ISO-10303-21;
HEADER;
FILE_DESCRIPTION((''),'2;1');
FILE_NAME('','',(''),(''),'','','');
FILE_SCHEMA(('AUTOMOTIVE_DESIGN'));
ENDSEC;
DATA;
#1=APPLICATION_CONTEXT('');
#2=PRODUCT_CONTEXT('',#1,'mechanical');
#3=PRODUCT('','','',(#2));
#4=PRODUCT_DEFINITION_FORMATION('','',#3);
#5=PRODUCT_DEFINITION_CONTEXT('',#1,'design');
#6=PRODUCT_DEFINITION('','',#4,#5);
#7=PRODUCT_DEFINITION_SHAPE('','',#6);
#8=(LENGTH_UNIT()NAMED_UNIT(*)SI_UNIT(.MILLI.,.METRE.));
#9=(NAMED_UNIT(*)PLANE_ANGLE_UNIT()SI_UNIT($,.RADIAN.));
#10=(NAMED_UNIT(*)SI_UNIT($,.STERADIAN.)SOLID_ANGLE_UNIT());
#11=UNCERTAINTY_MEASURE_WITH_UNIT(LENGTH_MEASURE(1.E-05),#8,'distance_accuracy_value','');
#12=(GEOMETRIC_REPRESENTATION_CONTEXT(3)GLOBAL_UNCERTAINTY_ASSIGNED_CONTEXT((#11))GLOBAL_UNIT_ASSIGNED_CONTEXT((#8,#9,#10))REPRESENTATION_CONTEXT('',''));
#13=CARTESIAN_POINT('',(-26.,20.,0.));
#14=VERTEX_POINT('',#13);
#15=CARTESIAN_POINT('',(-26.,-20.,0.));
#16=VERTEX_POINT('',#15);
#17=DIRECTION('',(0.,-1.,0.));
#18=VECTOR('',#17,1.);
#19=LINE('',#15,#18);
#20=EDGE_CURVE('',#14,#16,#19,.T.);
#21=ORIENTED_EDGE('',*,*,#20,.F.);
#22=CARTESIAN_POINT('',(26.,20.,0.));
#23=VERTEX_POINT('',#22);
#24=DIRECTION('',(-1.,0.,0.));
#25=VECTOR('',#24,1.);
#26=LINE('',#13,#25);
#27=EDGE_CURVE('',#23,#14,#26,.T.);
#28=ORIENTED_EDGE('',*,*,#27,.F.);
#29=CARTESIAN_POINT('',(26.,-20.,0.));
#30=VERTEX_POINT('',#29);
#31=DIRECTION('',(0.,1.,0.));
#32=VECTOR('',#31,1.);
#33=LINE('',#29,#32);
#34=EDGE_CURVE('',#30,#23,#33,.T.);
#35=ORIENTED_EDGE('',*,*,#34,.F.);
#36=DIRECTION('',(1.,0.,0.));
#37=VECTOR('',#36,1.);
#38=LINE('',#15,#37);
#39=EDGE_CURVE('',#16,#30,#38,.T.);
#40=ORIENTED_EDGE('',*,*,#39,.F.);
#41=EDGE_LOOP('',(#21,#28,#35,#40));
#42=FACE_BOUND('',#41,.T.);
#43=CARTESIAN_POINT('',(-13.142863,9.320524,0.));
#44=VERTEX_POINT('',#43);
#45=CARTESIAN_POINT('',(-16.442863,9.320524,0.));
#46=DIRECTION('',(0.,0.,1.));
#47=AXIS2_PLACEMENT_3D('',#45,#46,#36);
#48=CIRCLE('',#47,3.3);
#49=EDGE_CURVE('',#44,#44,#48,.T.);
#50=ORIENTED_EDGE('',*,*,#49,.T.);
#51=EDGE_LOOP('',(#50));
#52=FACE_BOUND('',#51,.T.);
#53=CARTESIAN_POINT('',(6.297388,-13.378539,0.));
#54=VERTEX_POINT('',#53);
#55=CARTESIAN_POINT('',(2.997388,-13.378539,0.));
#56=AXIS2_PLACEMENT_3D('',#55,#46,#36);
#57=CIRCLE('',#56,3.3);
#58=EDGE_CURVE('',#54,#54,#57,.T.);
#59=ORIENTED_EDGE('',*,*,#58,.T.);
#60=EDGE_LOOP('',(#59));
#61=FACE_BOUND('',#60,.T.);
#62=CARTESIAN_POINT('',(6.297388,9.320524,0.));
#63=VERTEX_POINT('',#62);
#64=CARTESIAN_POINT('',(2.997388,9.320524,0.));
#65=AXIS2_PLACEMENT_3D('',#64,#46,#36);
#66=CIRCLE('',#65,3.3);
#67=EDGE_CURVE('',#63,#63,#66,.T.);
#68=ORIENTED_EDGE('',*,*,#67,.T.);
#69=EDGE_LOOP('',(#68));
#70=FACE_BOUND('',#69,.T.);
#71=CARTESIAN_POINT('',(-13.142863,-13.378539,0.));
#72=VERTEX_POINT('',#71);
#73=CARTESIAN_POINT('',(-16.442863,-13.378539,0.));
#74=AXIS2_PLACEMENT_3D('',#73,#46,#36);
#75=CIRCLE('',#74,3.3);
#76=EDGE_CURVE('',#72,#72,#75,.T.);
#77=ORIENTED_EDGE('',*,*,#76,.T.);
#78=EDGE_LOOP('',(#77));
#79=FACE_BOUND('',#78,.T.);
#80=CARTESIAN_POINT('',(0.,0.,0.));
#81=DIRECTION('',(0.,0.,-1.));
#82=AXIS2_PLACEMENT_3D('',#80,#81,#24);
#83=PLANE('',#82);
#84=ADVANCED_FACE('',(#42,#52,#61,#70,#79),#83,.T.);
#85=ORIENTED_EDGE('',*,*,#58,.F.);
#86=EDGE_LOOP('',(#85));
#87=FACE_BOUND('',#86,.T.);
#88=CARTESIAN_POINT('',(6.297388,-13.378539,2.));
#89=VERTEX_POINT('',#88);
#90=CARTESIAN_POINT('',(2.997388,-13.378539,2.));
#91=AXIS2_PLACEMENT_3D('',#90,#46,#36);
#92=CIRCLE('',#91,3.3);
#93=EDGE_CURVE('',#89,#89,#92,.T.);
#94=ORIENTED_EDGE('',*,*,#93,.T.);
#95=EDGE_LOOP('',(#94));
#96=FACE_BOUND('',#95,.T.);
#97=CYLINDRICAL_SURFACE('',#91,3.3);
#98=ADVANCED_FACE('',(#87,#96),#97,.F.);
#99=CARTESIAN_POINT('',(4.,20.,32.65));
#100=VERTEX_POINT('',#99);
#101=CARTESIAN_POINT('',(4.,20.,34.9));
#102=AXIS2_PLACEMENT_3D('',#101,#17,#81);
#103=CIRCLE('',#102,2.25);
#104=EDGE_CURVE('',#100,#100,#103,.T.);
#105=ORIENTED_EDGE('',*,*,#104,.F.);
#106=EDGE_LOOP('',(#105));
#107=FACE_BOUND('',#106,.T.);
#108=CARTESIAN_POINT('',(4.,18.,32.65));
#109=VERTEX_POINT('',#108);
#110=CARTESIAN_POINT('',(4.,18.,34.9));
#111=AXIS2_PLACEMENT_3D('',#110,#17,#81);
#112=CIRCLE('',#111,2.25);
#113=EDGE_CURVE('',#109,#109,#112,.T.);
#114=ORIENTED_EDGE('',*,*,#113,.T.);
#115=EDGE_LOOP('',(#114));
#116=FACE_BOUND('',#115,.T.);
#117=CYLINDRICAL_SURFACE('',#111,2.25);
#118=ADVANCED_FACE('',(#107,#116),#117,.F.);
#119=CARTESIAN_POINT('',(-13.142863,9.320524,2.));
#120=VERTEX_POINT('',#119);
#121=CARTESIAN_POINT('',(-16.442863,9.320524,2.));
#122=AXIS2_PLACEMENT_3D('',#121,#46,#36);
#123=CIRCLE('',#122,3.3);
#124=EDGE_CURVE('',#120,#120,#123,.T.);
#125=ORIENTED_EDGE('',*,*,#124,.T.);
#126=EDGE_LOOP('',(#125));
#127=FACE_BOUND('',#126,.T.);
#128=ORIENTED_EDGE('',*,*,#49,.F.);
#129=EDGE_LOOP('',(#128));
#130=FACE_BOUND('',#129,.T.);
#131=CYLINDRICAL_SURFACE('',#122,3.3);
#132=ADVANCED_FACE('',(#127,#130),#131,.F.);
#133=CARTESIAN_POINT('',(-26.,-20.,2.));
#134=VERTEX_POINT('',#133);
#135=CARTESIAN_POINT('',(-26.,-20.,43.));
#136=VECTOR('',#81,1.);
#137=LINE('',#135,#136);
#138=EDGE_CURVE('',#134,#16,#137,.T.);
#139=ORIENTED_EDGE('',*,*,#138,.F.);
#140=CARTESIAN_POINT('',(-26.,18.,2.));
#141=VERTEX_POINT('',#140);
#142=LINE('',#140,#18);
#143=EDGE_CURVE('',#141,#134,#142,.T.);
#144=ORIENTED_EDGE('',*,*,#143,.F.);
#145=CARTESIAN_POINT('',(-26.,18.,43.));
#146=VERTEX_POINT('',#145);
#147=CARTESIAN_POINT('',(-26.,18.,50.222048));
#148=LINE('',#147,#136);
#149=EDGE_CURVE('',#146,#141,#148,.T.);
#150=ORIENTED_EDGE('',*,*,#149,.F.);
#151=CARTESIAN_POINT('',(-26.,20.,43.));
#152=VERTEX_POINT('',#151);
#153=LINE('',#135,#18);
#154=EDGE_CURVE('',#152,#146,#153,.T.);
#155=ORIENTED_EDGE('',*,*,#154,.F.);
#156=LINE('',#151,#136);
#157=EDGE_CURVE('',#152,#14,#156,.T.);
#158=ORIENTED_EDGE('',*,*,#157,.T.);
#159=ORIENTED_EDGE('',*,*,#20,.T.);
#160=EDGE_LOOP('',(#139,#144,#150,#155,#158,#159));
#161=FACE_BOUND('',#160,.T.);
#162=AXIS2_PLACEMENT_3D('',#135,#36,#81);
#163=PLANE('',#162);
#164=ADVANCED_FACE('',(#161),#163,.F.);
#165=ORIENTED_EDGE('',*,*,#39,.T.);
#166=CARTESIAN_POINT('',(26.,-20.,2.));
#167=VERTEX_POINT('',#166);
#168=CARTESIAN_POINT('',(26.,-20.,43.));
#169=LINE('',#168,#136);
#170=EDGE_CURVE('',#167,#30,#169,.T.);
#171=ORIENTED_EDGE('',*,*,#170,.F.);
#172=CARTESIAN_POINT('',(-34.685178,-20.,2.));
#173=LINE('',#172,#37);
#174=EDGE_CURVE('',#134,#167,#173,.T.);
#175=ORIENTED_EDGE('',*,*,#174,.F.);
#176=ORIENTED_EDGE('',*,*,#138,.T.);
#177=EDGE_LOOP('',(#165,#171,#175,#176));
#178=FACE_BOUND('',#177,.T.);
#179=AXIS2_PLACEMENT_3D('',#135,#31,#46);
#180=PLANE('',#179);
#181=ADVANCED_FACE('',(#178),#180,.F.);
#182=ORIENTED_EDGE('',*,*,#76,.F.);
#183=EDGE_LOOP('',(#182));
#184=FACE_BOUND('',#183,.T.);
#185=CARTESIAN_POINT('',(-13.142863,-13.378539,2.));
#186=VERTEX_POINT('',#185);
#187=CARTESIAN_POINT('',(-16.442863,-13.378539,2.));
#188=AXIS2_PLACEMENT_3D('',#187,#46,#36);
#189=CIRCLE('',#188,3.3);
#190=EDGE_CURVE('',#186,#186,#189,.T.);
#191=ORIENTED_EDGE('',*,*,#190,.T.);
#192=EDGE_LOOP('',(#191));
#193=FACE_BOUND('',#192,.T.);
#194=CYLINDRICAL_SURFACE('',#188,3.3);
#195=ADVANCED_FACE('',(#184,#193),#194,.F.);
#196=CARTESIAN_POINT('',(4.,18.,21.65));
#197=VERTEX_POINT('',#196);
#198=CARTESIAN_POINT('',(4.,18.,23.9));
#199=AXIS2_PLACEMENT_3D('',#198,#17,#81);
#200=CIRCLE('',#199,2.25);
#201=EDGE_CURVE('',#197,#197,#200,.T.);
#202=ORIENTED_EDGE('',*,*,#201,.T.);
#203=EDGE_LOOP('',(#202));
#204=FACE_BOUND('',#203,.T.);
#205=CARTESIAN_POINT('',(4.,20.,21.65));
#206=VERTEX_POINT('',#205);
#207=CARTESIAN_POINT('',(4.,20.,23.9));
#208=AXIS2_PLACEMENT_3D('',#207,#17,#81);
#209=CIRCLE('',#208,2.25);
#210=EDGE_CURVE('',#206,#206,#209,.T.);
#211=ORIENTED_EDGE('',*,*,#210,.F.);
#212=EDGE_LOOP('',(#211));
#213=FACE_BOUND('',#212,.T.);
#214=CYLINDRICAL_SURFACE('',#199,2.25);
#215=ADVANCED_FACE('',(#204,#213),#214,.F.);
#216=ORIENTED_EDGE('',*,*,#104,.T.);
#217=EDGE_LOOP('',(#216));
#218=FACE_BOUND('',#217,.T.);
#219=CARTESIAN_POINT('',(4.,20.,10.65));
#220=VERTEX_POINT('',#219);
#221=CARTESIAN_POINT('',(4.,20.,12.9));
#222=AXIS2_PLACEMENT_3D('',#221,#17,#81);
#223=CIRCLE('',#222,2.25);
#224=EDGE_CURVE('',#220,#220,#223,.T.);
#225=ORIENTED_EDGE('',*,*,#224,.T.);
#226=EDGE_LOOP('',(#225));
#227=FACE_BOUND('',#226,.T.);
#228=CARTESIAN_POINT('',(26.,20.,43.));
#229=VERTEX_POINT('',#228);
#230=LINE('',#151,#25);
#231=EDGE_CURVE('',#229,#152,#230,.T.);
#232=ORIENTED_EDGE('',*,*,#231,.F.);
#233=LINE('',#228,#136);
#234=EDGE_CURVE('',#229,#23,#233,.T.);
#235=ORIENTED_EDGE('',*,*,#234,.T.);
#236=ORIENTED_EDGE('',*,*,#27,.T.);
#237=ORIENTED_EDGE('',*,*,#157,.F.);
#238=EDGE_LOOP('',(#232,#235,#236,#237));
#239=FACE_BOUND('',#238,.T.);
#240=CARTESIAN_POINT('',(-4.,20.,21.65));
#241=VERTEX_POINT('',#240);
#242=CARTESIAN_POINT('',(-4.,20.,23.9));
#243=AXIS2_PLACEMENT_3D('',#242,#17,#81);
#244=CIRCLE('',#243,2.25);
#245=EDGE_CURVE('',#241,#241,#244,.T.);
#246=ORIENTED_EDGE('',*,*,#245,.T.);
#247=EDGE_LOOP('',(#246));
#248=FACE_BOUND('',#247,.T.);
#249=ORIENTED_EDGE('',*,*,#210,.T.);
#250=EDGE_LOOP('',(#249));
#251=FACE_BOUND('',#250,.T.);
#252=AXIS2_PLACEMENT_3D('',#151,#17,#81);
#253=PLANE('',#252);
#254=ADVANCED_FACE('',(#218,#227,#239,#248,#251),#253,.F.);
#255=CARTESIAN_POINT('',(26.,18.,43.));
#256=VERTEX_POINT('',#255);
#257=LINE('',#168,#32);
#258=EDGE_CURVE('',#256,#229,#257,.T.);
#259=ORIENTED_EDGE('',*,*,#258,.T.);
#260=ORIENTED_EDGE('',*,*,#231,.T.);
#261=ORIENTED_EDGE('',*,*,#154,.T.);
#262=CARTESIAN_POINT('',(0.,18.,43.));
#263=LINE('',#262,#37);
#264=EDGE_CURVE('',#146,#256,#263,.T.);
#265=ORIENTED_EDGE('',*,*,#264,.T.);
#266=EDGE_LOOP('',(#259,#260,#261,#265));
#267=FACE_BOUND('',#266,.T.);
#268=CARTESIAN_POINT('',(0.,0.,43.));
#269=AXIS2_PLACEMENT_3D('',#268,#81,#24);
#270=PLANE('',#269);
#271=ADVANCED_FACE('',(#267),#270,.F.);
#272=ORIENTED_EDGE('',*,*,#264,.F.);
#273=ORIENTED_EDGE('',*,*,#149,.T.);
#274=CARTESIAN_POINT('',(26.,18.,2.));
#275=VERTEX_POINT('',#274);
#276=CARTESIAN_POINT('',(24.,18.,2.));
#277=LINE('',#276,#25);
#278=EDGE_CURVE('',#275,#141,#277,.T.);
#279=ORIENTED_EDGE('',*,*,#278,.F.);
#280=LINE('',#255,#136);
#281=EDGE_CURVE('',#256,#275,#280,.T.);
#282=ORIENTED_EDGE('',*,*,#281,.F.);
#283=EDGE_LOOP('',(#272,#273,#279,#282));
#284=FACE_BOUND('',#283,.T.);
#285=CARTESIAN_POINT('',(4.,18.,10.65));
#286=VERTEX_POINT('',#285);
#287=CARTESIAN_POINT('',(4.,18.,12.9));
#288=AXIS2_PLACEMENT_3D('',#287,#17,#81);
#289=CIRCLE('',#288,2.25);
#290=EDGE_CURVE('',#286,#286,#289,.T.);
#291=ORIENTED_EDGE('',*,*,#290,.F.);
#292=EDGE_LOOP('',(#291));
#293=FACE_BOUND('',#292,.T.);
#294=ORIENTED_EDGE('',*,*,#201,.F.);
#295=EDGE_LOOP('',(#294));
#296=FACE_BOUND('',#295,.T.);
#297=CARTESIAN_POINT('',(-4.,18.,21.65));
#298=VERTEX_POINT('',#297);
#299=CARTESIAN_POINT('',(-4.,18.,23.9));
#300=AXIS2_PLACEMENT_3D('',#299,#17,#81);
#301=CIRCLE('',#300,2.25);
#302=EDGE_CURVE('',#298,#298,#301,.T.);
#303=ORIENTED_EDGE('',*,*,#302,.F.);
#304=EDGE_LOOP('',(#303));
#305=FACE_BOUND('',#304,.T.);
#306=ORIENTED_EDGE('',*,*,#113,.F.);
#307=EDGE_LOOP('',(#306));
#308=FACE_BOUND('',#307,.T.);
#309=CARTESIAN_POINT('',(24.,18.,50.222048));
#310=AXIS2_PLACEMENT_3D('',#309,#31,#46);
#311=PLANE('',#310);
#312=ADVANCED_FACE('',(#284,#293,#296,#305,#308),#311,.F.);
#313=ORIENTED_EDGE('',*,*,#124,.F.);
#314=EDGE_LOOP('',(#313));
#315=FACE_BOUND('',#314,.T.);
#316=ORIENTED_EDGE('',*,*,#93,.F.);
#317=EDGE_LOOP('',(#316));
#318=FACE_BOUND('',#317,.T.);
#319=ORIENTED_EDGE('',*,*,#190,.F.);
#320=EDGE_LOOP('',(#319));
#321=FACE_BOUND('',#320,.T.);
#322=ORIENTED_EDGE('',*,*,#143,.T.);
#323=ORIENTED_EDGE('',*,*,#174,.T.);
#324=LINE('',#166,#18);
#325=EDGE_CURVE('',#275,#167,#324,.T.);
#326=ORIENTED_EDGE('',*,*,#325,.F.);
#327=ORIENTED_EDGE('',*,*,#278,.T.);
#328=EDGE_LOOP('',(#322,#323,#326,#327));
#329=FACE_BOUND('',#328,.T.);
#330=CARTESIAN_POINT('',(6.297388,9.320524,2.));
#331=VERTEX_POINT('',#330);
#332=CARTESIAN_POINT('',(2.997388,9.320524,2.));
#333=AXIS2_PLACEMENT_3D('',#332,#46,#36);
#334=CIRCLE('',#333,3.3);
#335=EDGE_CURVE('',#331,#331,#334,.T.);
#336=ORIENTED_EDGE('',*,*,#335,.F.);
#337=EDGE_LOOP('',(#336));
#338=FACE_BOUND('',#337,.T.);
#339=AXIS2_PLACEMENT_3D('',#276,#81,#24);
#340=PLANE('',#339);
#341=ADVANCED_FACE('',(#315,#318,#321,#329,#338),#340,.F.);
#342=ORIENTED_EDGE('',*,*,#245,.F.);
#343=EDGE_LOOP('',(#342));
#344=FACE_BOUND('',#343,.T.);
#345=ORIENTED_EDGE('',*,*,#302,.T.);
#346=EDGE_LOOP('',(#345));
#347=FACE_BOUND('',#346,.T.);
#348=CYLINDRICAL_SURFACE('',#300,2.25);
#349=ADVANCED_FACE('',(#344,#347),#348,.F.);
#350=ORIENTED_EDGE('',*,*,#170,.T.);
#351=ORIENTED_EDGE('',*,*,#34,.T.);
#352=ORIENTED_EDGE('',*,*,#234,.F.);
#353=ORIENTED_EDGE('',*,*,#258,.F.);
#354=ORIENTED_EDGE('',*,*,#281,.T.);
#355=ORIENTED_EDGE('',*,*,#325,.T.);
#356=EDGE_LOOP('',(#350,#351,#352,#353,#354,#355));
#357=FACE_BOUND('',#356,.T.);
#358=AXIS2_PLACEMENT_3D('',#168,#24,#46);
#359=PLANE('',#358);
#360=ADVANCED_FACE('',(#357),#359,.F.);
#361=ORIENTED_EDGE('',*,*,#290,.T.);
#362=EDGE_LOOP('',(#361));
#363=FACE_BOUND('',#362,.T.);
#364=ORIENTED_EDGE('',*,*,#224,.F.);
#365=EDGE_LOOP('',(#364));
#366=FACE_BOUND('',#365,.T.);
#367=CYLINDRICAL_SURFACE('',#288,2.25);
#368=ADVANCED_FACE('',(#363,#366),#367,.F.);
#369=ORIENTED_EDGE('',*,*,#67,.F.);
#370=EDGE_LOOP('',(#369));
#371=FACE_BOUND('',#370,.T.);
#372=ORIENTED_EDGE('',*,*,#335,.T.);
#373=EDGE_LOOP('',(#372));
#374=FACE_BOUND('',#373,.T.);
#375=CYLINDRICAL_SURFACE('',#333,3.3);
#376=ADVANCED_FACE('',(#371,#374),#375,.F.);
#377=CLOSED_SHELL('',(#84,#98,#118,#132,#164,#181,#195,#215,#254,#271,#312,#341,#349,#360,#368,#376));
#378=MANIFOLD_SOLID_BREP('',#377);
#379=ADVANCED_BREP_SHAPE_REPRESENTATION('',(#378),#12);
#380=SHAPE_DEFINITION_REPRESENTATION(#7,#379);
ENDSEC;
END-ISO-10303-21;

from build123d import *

# Parameters (mm, degrees)
ESQUISSE1_W             = 52
ESQUISSE1_H             = 40
BOSS_EXTRU_1_DEPTH      = 43
ESQUISSE2_W             = 48.222048012
ESQUISSE2_H             = 36
ENL_V_MAT_EXTRU_1_DEPTH = 50
ESQUISSE3_W             = 72.686110251
ESQUISSE3_H             = 50.534375484
ENL_V_MAT_EXTRU_2_DEPTH = 38
D_GAGEMENT_M61_D        = 6.6
D_GAGEMENT_M41_D        = 4.5


with BuildPart() as part:
    # Esquisse1 → Boss.-Extru.1 (new body)
    with BuildSketch(Plane.XY):
        Rectangle(ESQUISSE1_W, ESQUISSE1_H)
    extrude(amount=BOSS_EXTRU_1_DEPTH)

    # Esquisse2 → Enlèv. mat.-Extru.1 (cut)
    with BuildSketch(Plane.ZY.offset(26)):
        with Locations((26.111024006, 0)):
            Rectangle(ESQUISSE2_W, ESQUISSE2_H)
    extrude(amount=-ENL_V_MAT_EXTRU_1_DEPTH, mode=Mode.SUBTRACT)

    # Esquisse3 → Enlèv. mat.-Extru.2 (cut)
    with BuildSketch(Plane.XZ.offset(20)):
        with Locations((1.657877156, 27.267187742)):
            Rectangle(ESQUISSE3_W, ESQUISSE3_H)
    extrude(amount=-ENL_V_MAT_EXTRU_2_DEPTH, mode=Mode.SUBTRACT)

    # Dégagement M61 (through all)
    with Locations(Plane.XY.offset(2)):
        with Locations((2.997387754, 9.32052376), (-16.442863145, 9.32052376), (-16.442863145, -13.378539167), (2.997387754, -13.378539167)):
            Hole(D_GAGEMENT_M61_D / 2)

    # Dégagement M41 (through all)
    with Locations(Plane(origin=(0, 18, 0), x_dir=(-1, 0, 0), z_dir=(0, -1, 0))):
        with Locations((-4, -34.9), (-4, -23.9), (-4, -12.9), (4, -23.9)):
            Hole(D_GAGEMENT_M41_D / 2)


solid = part.part
